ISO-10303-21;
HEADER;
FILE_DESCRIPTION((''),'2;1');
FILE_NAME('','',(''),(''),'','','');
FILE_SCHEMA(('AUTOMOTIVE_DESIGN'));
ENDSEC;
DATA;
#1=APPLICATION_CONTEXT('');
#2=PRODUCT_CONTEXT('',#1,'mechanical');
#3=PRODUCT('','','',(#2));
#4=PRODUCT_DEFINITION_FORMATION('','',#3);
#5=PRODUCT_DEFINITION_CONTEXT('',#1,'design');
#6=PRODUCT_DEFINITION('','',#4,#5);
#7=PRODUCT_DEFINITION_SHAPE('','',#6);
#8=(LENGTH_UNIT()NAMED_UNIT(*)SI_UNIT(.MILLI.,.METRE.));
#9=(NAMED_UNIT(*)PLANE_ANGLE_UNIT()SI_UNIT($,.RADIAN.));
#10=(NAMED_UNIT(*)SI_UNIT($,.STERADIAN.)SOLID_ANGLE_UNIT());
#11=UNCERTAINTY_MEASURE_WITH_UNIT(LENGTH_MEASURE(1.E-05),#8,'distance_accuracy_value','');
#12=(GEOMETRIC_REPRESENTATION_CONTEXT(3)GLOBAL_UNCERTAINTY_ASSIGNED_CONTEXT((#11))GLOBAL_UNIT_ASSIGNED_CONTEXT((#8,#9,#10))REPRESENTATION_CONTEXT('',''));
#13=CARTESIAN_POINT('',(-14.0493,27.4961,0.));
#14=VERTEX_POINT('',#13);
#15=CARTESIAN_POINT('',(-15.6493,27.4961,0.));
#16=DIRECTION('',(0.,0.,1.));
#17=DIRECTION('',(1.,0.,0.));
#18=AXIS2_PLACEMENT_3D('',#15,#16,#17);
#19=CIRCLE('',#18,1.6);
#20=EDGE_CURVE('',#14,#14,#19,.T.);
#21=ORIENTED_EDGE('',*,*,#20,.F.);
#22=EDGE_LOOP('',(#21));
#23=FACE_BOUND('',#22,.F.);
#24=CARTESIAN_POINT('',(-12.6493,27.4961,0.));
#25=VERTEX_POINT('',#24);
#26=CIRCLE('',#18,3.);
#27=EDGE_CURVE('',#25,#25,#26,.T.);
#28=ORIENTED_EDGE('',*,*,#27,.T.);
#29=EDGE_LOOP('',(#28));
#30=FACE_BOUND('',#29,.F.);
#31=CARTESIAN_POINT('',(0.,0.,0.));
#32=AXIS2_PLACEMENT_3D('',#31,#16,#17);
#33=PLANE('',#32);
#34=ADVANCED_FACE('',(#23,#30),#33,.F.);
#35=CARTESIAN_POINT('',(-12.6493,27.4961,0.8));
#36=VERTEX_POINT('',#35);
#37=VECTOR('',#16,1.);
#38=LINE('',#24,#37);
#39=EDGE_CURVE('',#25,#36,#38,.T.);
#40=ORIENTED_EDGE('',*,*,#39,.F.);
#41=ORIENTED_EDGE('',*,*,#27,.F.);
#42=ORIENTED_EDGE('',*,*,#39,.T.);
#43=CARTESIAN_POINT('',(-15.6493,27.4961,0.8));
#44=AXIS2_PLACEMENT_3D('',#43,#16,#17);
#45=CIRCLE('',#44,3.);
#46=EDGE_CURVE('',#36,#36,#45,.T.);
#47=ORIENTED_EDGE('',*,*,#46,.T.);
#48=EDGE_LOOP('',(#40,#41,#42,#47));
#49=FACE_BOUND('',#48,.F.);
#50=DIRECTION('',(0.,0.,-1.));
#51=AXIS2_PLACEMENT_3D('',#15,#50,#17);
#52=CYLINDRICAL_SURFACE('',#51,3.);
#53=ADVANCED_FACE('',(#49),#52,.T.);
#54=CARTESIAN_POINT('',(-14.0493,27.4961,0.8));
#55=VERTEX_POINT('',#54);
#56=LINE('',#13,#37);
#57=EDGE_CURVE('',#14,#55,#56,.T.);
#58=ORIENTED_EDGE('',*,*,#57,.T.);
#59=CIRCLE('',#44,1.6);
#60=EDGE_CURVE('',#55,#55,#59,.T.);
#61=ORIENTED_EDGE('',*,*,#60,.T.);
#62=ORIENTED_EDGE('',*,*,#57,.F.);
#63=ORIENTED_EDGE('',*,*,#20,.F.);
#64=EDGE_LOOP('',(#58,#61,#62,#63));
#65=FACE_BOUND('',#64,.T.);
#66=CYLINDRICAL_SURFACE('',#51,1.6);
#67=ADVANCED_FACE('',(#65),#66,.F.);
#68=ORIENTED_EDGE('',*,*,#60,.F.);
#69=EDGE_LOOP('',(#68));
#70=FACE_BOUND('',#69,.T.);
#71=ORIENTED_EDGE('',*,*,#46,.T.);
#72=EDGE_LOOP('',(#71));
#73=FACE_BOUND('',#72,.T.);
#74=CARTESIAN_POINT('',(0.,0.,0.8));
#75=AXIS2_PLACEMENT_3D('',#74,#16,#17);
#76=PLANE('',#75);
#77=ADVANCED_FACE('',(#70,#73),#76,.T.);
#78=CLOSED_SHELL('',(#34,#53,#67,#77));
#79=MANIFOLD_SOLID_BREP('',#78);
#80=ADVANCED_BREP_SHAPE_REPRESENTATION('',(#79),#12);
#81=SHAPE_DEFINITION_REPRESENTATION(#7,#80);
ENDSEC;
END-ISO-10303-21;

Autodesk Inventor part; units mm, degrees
ref_plane "YZ Plane" through (0, 0, 0) normal (1, 0, 0) x (0, 1, 0)
ref_plane "XZ Plane" through (0, 0, 0) normal (0, 1, 0) x (-1, 0, 0)
ref_plane "XY Plane" through (0, 0, 0) normal (0, 0, 1) x (1, 0, 0)
sketch "Sketch1" plane through (0, 0, 0) normal (0, 0, 1) x (1, 0, 0)
  circle A0 centre (-15.6493, 27.4961) radius 1.5 projected
  circle A1 centre (-15.6493, 27.4961) radius 1.6
  circle A2 centre (-15.6493, 27.4961) radius 3
  point P0 (0, 0)
  dimension "d0" = 3.2
  dimension "d1" = 6
extrude "Extrusion1" add sketch "Sketch1" along normal blind 0.8 contours A2
properties part number "M3 Washer"
